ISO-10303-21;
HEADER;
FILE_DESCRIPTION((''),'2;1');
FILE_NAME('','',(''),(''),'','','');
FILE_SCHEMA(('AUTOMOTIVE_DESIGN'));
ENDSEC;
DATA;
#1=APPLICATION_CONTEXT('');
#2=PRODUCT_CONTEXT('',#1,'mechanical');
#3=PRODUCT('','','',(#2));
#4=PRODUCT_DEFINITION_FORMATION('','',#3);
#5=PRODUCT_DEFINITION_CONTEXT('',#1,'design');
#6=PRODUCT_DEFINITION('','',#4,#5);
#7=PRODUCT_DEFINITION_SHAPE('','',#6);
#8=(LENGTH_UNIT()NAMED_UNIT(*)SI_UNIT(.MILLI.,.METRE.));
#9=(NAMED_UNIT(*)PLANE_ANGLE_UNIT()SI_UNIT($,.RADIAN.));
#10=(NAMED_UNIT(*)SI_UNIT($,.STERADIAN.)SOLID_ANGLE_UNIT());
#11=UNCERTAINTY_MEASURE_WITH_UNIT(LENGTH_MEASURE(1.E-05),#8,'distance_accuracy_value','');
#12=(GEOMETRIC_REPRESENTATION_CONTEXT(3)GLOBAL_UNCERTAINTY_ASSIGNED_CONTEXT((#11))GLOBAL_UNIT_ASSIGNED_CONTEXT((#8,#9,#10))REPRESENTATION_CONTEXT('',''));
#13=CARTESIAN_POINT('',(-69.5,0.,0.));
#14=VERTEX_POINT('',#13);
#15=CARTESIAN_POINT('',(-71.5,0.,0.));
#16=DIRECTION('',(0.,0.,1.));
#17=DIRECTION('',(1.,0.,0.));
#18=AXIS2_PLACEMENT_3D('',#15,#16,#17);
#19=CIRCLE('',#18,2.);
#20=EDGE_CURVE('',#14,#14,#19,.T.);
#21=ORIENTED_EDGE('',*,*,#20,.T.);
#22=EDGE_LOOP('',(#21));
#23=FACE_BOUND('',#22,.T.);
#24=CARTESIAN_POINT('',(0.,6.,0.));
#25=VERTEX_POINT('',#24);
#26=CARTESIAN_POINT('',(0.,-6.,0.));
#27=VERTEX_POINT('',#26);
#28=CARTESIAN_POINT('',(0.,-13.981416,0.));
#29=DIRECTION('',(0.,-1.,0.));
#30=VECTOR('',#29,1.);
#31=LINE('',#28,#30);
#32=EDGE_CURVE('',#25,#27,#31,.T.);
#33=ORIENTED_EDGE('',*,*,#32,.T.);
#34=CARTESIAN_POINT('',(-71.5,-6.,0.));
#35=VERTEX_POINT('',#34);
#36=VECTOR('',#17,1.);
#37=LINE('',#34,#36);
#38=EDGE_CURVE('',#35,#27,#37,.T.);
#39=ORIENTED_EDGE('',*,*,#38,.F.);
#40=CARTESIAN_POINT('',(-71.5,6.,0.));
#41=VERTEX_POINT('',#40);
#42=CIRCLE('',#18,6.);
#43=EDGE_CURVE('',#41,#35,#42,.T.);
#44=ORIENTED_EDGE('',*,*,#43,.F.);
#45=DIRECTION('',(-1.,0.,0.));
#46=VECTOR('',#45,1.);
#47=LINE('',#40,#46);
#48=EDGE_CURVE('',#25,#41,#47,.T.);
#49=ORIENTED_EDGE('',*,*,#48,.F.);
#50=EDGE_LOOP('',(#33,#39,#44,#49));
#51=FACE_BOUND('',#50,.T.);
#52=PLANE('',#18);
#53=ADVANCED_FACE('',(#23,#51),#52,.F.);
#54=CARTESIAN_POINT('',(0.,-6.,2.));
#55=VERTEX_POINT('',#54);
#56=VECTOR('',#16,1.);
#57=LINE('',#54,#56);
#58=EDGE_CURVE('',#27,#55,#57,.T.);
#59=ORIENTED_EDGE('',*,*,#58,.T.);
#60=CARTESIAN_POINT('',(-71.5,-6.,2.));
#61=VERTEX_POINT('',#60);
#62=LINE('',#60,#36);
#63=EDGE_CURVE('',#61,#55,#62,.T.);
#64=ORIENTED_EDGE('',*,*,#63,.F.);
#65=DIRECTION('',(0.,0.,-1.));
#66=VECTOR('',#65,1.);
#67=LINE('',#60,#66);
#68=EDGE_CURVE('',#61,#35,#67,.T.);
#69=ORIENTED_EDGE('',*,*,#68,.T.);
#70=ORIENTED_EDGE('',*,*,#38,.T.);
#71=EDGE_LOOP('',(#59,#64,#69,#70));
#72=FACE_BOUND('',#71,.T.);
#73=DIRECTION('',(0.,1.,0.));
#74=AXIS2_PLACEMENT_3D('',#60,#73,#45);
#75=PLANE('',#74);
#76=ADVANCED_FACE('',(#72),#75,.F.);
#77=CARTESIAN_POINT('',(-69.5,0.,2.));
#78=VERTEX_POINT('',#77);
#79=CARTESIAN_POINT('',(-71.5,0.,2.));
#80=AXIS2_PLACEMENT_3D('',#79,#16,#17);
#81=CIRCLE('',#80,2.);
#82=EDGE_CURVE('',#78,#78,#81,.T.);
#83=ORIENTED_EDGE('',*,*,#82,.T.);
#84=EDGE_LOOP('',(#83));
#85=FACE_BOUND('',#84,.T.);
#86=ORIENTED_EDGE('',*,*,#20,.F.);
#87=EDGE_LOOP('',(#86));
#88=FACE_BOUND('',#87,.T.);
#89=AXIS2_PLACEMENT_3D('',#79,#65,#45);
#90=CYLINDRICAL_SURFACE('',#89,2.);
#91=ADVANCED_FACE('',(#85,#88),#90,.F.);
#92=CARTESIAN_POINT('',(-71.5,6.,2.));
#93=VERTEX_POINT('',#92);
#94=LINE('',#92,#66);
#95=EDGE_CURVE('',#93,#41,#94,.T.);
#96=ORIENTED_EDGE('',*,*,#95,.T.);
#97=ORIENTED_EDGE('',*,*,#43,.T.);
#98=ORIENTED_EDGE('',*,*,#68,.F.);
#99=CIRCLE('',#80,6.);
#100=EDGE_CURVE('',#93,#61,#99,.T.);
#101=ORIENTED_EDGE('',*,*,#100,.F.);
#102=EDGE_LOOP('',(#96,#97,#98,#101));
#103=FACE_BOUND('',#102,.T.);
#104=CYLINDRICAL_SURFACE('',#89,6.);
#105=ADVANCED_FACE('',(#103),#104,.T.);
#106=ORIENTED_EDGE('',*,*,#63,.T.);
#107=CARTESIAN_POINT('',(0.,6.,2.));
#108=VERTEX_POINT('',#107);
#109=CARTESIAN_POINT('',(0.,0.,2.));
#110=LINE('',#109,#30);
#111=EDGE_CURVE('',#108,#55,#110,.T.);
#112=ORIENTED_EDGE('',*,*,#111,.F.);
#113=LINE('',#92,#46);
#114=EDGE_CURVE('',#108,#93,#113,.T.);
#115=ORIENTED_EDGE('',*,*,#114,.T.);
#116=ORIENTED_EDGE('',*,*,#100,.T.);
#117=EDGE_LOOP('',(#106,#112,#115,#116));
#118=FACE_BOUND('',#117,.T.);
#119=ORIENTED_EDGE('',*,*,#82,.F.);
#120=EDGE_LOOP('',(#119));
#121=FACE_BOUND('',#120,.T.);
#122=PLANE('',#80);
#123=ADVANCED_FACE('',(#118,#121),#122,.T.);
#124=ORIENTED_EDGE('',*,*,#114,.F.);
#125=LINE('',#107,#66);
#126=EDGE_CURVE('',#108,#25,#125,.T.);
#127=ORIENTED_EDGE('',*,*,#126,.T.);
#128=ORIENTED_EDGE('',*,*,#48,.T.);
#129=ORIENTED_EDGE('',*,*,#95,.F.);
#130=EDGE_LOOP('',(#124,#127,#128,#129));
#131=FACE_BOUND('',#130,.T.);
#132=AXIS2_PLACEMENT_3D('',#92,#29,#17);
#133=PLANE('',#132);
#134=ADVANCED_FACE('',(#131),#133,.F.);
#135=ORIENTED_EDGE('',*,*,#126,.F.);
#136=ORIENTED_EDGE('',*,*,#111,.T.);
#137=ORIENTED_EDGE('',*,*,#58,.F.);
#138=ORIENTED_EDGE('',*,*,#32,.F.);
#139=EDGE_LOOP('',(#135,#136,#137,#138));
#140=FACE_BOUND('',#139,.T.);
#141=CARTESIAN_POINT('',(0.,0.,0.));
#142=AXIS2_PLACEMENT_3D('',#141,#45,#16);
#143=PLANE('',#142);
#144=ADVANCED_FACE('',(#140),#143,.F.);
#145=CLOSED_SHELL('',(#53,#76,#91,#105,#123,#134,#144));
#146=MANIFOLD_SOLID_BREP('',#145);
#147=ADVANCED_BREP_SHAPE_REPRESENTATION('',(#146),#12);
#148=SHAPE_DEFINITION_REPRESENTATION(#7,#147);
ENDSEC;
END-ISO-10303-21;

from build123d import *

# Parameters (mm, degrees)
ESQUISSE1_R                  = 2
BOSS_EXTRU_1_DEPTH           = 2
ENL_V_MAT_EXTRU_1_DEPTH      = 78.757636281
ENL_V_MAT_EXTRU_1_DEPTH_BACK = 78.757636281


with BuildPart() as part:
    # Esquisse1 → Boss.-Extru.1 (new body)
    with BuildSketch(Plane.XY):
        with BuildLine():
            Line((-71.5, 6), (71.5, 6))
            ThreePointArc((71.5, 6), (77.5, 0), (71.5, -6))
            Line((71.5, -6), (-71.5, -6))
            ThreePointArc((-71.5, -6), (-77.5, 0), (-71.5, 6))
        make_face()
        with Locations((-71.5, 0)):
            Circle(ESQUISSE1_R, mode=Mode.SUBTRACT)
        with Locations((71.5, 0)):
            Circle(ESQUISSE1_R, mode=Mode.SUBTRACT)
    extrude(amount=BOSS_EXTRU_1_DEPTH)

    # Esquisse3 → Enlèv. mat.-Extru.1 (cut, two sides: drawn at the far end of the back side and taken through both)
    with BuildSketch(Plane.XY.offset(2).offset(-ENL_V_MAT_EXTRU_1_DEPTH_BACK)):
        Polygon((0, 0), (0, 10.962701513), (80.234264698, 10.962701513), (80.234264698, -13.981416423), (0, -13.981416423), align=None)
    extrude(amount=ENL_V_MAT_EXTRU_1_DEPTH + ENL_V_MAT_EXTRU_1_DEPTH_BACK, mode=Mode.SUBTRACT)


solid = part.part
